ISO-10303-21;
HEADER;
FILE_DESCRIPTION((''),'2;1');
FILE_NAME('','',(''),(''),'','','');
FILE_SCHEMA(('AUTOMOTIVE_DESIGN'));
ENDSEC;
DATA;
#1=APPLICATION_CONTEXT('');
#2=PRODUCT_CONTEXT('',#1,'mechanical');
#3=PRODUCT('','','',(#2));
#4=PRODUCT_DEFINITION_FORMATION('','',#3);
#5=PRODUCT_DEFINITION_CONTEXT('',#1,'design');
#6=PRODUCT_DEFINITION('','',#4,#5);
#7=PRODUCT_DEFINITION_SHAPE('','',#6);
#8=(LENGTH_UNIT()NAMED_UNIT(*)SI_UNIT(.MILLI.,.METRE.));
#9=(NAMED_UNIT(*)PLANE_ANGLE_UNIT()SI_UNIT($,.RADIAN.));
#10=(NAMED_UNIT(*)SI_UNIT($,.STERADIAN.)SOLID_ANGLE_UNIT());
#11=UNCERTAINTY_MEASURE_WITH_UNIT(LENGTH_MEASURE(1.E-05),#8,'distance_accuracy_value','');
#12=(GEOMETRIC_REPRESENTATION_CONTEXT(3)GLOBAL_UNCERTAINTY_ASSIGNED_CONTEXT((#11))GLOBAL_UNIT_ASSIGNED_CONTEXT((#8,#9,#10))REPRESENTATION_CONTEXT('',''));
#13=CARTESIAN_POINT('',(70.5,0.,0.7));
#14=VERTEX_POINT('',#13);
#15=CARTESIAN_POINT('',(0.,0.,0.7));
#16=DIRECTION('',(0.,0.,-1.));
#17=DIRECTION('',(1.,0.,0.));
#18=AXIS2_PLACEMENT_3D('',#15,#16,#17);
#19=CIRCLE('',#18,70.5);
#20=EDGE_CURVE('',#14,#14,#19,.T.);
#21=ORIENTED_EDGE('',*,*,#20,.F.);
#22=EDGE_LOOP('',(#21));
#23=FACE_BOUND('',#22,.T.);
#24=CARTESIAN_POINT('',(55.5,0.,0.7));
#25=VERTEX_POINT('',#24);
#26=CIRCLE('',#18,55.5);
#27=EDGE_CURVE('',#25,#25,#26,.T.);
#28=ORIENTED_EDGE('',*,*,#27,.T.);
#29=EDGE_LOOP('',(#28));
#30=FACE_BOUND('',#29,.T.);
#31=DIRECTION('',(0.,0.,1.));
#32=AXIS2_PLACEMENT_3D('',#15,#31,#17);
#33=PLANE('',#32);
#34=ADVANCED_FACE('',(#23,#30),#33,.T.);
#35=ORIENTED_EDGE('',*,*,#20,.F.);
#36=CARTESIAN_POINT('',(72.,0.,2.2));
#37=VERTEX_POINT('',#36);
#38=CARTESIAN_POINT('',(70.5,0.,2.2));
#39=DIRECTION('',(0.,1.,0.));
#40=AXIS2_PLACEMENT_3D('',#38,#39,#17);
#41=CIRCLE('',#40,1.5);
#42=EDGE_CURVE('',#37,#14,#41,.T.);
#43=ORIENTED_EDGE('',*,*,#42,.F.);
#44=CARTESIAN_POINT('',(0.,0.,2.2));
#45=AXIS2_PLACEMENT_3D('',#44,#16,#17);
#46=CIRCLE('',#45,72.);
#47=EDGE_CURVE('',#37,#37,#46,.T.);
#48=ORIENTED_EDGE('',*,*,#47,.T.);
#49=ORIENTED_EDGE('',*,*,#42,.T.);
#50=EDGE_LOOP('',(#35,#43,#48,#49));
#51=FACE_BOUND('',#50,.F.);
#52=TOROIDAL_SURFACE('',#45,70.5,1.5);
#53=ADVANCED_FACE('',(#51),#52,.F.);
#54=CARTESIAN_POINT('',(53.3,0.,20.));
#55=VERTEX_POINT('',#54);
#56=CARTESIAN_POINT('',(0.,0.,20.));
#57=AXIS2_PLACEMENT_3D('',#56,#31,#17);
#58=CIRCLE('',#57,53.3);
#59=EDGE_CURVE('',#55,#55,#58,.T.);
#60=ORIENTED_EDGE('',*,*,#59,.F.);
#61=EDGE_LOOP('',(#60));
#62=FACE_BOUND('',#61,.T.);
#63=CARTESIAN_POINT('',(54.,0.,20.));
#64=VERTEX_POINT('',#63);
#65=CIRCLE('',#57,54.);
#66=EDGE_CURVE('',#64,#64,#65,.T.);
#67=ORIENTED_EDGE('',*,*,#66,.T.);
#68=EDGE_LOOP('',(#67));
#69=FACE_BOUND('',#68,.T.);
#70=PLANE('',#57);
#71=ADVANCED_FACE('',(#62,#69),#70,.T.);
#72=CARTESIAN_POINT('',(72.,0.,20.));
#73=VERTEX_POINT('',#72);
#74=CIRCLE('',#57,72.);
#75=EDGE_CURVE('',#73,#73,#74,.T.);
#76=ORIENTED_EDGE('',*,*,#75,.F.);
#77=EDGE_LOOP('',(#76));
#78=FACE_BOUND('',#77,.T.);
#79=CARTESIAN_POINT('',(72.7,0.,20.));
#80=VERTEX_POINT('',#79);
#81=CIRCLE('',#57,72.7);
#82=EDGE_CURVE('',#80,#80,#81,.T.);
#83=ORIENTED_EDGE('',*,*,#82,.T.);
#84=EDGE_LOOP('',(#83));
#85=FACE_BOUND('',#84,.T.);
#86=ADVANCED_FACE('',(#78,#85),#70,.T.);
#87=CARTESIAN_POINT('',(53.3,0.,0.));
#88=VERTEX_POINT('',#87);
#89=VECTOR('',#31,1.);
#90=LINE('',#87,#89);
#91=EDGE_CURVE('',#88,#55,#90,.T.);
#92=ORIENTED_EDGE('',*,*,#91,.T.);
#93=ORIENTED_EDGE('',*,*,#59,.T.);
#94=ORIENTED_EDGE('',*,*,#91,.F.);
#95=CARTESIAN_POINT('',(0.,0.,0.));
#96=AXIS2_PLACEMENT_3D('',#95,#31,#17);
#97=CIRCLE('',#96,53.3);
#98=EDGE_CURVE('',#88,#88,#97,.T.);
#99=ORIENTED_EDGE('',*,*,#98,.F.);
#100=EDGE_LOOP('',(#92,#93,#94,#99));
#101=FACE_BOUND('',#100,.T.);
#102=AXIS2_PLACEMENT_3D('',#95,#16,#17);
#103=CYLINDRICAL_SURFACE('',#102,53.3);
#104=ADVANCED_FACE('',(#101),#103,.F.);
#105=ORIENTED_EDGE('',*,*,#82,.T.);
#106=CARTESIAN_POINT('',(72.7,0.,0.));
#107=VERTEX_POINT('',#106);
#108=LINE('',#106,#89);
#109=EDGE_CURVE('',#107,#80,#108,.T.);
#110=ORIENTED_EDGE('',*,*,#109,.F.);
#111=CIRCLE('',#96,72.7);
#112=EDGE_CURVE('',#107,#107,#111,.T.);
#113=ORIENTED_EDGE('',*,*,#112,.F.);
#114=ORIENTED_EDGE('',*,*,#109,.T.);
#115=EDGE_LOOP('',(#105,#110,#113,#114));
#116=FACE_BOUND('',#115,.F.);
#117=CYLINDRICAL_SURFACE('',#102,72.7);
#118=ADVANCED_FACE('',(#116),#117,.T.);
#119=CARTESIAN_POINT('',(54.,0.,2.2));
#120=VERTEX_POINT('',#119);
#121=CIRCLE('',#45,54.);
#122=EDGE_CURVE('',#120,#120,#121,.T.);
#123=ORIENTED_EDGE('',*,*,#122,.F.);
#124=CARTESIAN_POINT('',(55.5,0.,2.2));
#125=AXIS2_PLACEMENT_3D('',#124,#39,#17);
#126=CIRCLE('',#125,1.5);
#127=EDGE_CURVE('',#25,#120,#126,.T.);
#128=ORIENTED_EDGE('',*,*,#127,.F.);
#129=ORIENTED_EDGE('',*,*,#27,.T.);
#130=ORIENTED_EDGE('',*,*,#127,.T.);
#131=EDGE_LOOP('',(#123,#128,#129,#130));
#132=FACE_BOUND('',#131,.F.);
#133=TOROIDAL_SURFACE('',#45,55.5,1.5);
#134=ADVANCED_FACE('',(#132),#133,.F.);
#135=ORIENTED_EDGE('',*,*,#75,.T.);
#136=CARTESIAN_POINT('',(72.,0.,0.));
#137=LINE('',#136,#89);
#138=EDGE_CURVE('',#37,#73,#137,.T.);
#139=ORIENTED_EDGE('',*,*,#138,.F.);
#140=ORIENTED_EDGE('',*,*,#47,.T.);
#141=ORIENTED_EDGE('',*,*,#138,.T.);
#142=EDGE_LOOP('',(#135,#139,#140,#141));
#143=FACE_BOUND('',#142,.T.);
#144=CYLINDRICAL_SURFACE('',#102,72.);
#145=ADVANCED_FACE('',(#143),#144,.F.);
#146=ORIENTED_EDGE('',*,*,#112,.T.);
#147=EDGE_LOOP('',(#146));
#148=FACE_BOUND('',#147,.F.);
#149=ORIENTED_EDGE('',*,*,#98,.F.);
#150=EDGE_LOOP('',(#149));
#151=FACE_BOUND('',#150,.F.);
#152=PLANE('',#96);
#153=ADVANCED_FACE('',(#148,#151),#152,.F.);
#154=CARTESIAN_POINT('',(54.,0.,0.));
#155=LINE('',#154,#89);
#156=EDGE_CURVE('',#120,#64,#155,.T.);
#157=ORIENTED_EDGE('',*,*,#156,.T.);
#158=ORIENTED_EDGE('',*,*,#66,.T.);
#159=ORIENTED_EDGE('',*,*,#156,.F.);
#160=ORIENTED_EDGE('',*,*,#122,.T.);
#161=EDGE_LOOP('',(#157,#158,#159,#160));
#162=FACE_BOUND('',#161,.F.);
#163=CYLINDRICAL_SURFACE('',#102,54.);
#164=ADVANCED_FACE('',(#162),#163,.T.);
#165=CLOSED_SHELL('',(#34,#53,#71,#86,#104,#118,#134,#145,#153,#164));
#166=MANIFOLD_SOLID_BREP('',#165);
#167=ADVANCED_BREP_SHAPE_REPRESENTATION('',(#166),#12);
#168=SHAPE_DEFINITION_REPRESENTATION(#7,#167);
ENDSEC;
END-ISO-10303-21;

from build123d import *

# Parameters (mm, degrees)
F0_R     = 72.7
F0_R_2   = 53.3
F1_DEPTH = 20
F2_T     = -0.7
F3_R     = 1.5


with BuildPart() as f1:
    # F0 (on Top) → F1 (new body)
    with BuildSketch(Plane.XY):
        Circle(F0_R)
        Circle(F0_R_2, mode=Mode.SUBTRACT)
    extrude(amount=F1_DEPTH)

    # F2
    f2_openings = [f1.faces().sort_by_distance(p)[0] for p in [
        (-70.643733, 0, 20),
    ]]
    offset(amount=F2_T, openings=f2_openings)

    # F3
    f3_edges = [f1.edges().sort_by_distance(p)[0] for p in [
        (-72, 0, 0.7),
        (-54, 0, 0.7),
    ]]
    fillet(f3_edges, radius=F3_R)


solid = f1.part
